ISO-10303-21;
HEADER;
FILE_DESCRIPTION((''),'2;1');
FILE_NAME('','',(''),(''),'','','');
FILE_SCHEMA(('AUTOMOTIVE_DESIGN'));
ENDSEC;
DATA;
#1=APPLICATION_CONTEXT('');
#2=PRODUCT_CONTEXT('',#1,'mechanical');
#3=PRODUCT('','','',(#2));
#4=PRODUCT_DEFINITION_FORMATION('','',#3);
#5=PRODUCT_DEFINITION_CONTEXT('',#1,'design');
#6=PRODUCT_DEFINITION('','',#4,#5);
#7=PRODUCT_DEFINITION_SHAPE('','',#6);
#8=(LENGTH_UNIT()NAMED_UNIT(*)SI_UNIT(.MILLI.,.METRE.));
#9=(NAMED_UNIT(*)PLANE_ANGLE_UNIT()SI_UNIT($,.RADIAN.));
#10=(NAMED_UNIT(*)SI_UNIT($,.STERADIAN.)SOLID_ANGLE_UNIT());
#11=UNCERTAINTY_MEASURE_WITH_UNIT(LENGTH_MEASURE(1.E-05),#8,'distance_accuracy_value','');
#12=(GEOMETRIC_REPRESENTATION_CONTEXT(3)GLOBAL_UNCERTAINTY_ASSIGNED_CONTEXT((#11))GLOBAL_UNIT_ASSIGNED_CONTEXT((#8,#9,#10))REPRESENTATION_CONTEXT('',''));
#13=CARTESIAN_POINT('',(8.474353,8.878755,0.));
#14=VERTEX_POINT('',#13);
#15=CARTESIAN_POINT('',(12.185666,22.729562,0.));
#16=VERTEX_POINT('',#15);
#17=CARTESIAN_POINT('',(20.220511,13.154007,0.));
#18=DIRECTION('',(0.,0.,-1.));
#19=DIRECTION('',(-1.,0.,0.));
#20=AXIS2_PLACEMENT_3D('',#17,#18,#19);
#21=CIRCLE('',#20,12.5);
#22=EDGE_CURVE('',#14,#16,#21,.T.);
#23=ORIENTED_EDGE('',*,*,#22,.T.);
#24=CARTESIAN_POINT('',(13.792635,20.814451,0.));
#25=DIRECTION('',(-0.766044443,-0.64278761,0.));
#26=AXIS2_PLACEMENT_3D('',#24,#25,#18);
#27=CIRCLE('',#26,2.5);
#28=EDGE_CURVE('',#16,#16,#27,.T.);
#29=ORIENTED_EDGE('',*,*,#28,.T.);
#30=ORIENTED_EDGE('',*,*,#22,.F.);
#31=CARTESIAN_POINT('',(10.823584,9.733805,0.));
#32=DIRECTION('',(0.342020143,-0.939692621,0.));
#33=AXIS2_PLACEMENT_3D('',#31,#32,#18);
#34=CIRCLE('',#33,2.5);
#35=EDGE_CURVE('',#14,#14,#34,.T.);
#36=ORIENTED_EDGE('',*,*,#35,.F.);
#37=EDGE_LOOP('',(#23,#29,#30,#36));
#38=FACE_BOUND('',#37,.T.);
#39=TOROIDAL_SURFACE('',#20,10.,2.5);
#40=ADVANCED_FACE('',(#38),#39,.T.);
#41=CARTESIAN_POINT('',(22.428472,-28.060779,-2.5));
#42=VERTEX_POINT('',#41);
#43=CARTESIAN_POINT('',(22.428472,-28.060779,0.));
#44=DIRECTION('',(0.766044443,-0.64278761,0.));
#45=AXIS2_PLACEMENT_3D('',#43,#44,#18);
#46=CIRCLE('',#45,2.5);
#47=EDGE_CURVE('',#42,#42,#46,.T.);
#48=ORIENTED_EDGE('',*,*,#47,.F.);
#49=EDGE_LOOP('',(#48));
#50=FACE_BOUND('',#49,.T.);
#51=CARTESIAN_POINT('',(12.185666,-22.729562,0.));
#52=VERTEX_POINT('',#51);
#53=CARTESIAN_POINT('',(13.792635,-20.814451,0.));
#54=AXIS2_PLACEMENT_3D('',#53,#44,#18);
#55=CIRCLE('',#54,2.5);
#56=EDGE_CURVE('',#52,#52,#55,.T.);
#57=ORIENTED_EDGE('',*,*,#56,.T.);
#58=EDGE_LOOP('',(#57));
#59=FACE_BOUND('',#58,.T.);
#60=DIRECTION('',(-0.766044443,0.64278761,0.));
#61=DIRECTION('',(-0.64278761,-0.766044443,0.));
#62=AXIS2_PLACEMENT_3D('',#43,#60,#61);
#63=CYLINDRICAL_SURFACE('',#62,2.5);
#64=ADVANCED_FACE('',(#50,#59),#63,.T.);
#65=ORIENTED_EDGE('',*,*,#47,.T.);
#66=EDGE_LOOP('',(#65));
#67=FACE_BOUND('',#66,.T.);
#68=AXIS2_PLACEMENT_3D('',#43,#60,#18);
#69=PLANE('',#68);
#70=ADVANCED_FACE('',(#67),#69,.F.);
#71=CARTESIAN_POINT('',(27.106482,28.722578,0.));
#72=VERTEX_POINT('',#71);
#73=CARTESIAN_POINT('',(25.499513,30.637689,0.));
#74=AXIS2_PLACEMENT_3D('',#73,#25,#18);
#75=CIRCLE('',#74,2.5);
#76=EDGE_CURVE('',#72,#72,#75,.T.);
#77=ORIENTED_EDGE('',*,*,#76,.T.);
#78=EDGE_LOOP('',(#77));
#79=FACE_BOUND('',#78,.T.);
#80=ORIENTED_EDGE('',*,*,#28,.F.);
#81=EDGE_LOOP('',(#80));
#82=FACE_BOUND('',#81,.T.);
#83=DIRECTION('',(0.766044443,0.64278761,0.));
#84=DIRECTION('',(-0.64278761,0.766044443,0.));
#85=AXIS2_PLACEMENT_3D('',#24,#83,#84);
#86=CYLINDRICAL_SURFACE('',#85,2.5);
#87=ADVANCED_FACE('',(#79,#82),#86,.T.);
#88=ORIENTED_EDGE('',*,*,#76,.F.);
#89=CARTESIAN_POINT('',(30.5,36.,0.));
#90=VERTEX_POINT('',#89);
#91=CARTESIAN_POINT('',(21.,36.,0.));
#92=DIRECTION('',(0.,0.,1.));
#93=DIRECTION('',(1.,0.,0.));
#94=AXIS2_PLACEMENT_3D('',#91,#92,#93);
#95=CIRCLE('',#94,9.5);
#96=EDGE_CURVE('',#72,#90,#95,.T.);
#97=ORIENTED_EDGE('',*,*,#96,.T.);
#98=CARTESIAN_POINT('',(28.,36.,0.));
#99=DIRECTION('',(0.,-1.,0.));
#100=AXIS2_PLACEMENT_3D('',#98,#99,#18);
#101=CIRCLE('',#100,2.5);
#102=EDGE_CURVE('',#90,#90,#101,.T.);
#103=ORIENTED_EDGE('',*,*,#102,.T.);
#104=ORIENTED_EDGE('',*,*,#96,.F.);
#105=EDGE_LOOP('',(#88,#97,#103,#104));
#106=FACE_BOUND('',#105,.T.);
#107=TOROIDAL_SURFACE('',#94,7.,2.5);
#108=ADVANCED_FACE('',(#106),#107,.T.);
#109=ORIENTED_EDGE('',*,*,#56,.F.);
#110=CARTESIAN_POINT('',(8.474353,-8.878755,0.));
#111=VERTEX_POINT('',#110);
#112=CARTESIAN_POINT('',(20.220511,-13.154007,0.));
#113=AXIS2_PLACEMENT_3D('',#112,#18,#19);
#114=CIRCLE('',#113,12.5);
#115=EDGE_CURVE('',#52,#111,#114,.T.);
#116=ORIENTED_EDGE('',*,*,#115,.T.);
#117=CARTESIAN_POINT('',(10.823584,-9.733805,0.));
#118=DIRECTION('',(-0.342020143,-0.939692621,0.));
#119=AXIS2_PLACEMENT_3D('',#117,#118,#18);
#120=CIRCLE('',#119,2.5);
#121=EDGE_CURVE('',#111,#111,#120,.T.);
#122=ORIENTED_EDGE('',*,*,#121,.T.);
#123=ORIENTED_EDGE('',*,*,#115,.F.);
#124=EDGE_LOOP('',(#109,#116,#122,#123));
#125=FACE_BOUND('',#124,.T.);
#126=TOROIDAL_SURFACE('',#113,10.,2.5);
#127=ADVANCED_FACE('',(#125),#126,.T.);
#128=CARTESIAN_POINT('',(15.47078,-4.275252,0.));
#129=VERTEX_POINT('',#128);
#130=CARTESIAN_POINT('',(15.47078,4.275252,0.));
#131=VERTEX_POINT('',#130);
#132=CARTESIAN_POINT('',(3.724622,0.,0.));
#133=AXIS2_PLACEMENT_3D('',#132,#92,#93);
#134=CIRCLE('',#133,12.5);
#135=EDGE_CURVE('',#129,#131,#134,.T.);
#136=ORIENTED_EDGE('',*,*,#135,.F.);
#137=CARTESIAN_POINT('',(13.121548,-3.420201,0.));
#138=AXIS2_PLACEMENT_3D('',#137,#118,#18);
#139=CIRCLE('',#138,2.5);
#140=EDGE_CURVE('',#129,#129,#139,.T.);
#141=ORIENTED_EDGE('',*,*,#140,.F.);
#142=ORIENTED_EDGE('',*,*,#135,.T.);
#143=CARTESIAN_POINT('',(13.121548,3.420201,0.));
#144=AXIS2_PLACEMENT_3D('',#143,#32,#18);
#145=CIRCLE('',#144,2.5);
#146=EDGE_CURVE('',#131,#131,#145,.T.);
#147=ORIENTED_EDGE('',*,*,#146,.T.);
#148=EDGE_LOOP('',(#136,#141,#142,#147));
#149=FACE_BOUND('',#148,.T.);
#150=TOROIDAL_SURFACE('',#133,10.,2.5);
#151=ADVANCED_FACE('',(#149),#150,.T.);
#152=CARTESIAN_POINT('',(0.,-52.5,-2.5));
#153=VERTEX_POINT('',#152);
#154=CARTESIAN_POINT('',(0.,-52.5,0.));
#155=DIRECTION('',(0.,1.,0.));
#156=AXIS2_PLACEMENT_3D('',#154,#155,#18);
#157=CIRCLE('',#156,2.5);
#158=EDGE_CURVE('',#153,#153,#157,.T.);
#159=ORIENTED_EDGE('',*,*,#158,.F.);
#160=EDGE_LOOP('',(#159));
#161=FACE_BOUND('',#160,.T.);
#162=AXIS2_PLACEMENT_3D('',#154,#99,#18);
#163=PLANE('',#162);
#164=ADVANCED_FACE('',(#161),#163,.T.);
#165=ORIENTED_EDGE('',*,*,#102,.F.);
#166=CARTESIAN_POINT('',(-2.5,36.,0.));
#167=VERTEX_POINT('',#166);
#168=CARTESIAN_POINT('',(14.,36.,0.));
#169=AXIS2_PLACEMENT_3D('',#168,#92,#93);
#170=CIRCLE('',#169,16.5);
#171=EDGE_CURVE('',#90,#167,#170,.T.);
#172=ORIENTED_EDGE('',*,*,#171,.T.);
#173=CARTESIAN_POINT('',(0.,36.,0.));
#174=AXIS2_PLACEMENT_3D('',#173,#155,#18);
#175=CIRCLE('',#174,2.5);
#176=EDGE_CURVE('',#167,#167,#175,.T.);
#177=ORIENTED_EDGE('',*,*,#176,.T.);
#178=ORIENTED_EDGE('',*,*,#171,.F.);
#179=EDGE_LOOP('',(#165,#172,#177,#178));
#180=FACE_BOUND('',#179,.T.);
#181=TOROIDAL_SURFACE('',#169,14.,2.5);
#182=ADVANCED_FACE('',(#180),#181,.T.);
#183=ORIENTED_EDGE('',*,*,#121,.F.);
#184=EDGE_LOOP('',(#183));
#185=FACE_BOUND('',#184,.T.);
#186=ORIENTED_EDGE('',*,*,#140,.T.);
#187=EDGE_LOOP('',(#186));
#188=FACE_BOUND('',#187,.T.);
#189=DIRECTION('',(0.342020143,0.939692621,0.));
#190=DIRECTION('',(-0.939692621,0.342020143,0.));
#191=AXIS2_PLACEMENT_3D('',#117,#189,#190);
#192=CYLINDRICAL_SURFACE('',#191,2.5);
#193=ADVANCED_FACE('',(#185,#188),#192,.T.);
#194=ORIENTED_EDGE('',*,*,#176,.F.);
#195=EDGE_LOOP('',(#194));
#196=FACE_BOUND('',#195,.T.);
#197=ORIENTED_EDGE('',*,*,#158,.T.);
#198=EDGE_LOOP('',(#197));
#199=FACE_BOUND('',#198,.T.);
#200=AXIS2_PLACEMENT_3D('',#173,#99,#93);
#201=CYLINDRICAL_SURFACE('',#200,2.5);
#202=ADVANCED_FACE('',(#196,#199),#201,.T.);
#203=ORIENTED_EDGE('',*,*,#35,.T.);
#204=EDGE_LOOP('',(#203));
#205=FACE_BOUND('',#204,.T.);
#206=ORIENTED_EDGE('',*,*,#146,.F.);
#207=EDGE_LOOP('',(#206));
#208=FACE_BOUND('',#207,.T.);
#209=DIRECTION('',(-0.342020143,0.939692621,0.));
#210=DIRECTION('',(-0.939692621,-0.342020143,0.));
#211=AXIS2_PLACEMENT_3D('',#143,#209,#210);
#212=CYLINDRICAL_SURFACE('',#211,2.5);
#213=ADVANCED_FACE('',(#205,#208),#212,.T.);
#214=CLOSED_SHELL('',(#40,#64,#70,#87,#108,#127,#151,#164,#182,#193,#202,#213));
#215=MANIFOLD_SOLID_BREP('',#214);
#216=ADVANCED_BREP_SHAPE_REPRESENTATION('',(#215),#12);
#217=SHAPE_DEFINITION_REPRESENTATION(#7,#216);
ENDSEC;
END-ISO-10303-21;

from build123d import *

# Parameters (mm, degrees)
SZKIC1_R = 2.5


with BuildPart() as part:
    # Wyciągnięcie po ścieżce1: sweep along a path in Szkic2
    with BuildLine(Plane.XY) as wyci_gni_cie_po_cie_ce1_path:
        Line((20.821502931, -29.975890373), (12.185665565, -22.729562424))
        ThreePointArc((12.185665565, -22.729562424), (8.146437857, -16.389244949), (8.474352926, -8.878755094))
        Line((8.474352926, -8.878755094), (10.77231686, -2.565151075))
        ThreePointArc((10.77231686, -2.565151075), (11.224622204, 0), (10.77231686, 2.565151075))
        Line((10.77231686, 2.565151075), (8.474352926, 8.878755094))
        ThreePointArc((8.474352926, 8.878755094), (8.146437857, 16.389244949), (12.185665565, 22.729562424))
        Line((12.185665565, 22.729562424), (23.892544244, 32.552800006))
        ThreePointArc((23.892544244, 32.552800006), (25.078385042, 34.098217822), (25.5, 36))
        ThreePointArc((25.5, 36), (14, 47.5), (2.5, 36))
        Line((2.5, 36), (2.5, -52.5))
    # Szkic1 → Wyciągnięcie po ścieżce1 (sweep)
    with BuildSketch(Plane(origin=(0, -52.5, 0), x_dir=(1, 0, 0), z_dir=(0, 1, 0))):
        Circle(SZKIC1_R)
    sweep(path=wyci_gni_cie_po_cie_ce1_path.line)


solid = part.part
